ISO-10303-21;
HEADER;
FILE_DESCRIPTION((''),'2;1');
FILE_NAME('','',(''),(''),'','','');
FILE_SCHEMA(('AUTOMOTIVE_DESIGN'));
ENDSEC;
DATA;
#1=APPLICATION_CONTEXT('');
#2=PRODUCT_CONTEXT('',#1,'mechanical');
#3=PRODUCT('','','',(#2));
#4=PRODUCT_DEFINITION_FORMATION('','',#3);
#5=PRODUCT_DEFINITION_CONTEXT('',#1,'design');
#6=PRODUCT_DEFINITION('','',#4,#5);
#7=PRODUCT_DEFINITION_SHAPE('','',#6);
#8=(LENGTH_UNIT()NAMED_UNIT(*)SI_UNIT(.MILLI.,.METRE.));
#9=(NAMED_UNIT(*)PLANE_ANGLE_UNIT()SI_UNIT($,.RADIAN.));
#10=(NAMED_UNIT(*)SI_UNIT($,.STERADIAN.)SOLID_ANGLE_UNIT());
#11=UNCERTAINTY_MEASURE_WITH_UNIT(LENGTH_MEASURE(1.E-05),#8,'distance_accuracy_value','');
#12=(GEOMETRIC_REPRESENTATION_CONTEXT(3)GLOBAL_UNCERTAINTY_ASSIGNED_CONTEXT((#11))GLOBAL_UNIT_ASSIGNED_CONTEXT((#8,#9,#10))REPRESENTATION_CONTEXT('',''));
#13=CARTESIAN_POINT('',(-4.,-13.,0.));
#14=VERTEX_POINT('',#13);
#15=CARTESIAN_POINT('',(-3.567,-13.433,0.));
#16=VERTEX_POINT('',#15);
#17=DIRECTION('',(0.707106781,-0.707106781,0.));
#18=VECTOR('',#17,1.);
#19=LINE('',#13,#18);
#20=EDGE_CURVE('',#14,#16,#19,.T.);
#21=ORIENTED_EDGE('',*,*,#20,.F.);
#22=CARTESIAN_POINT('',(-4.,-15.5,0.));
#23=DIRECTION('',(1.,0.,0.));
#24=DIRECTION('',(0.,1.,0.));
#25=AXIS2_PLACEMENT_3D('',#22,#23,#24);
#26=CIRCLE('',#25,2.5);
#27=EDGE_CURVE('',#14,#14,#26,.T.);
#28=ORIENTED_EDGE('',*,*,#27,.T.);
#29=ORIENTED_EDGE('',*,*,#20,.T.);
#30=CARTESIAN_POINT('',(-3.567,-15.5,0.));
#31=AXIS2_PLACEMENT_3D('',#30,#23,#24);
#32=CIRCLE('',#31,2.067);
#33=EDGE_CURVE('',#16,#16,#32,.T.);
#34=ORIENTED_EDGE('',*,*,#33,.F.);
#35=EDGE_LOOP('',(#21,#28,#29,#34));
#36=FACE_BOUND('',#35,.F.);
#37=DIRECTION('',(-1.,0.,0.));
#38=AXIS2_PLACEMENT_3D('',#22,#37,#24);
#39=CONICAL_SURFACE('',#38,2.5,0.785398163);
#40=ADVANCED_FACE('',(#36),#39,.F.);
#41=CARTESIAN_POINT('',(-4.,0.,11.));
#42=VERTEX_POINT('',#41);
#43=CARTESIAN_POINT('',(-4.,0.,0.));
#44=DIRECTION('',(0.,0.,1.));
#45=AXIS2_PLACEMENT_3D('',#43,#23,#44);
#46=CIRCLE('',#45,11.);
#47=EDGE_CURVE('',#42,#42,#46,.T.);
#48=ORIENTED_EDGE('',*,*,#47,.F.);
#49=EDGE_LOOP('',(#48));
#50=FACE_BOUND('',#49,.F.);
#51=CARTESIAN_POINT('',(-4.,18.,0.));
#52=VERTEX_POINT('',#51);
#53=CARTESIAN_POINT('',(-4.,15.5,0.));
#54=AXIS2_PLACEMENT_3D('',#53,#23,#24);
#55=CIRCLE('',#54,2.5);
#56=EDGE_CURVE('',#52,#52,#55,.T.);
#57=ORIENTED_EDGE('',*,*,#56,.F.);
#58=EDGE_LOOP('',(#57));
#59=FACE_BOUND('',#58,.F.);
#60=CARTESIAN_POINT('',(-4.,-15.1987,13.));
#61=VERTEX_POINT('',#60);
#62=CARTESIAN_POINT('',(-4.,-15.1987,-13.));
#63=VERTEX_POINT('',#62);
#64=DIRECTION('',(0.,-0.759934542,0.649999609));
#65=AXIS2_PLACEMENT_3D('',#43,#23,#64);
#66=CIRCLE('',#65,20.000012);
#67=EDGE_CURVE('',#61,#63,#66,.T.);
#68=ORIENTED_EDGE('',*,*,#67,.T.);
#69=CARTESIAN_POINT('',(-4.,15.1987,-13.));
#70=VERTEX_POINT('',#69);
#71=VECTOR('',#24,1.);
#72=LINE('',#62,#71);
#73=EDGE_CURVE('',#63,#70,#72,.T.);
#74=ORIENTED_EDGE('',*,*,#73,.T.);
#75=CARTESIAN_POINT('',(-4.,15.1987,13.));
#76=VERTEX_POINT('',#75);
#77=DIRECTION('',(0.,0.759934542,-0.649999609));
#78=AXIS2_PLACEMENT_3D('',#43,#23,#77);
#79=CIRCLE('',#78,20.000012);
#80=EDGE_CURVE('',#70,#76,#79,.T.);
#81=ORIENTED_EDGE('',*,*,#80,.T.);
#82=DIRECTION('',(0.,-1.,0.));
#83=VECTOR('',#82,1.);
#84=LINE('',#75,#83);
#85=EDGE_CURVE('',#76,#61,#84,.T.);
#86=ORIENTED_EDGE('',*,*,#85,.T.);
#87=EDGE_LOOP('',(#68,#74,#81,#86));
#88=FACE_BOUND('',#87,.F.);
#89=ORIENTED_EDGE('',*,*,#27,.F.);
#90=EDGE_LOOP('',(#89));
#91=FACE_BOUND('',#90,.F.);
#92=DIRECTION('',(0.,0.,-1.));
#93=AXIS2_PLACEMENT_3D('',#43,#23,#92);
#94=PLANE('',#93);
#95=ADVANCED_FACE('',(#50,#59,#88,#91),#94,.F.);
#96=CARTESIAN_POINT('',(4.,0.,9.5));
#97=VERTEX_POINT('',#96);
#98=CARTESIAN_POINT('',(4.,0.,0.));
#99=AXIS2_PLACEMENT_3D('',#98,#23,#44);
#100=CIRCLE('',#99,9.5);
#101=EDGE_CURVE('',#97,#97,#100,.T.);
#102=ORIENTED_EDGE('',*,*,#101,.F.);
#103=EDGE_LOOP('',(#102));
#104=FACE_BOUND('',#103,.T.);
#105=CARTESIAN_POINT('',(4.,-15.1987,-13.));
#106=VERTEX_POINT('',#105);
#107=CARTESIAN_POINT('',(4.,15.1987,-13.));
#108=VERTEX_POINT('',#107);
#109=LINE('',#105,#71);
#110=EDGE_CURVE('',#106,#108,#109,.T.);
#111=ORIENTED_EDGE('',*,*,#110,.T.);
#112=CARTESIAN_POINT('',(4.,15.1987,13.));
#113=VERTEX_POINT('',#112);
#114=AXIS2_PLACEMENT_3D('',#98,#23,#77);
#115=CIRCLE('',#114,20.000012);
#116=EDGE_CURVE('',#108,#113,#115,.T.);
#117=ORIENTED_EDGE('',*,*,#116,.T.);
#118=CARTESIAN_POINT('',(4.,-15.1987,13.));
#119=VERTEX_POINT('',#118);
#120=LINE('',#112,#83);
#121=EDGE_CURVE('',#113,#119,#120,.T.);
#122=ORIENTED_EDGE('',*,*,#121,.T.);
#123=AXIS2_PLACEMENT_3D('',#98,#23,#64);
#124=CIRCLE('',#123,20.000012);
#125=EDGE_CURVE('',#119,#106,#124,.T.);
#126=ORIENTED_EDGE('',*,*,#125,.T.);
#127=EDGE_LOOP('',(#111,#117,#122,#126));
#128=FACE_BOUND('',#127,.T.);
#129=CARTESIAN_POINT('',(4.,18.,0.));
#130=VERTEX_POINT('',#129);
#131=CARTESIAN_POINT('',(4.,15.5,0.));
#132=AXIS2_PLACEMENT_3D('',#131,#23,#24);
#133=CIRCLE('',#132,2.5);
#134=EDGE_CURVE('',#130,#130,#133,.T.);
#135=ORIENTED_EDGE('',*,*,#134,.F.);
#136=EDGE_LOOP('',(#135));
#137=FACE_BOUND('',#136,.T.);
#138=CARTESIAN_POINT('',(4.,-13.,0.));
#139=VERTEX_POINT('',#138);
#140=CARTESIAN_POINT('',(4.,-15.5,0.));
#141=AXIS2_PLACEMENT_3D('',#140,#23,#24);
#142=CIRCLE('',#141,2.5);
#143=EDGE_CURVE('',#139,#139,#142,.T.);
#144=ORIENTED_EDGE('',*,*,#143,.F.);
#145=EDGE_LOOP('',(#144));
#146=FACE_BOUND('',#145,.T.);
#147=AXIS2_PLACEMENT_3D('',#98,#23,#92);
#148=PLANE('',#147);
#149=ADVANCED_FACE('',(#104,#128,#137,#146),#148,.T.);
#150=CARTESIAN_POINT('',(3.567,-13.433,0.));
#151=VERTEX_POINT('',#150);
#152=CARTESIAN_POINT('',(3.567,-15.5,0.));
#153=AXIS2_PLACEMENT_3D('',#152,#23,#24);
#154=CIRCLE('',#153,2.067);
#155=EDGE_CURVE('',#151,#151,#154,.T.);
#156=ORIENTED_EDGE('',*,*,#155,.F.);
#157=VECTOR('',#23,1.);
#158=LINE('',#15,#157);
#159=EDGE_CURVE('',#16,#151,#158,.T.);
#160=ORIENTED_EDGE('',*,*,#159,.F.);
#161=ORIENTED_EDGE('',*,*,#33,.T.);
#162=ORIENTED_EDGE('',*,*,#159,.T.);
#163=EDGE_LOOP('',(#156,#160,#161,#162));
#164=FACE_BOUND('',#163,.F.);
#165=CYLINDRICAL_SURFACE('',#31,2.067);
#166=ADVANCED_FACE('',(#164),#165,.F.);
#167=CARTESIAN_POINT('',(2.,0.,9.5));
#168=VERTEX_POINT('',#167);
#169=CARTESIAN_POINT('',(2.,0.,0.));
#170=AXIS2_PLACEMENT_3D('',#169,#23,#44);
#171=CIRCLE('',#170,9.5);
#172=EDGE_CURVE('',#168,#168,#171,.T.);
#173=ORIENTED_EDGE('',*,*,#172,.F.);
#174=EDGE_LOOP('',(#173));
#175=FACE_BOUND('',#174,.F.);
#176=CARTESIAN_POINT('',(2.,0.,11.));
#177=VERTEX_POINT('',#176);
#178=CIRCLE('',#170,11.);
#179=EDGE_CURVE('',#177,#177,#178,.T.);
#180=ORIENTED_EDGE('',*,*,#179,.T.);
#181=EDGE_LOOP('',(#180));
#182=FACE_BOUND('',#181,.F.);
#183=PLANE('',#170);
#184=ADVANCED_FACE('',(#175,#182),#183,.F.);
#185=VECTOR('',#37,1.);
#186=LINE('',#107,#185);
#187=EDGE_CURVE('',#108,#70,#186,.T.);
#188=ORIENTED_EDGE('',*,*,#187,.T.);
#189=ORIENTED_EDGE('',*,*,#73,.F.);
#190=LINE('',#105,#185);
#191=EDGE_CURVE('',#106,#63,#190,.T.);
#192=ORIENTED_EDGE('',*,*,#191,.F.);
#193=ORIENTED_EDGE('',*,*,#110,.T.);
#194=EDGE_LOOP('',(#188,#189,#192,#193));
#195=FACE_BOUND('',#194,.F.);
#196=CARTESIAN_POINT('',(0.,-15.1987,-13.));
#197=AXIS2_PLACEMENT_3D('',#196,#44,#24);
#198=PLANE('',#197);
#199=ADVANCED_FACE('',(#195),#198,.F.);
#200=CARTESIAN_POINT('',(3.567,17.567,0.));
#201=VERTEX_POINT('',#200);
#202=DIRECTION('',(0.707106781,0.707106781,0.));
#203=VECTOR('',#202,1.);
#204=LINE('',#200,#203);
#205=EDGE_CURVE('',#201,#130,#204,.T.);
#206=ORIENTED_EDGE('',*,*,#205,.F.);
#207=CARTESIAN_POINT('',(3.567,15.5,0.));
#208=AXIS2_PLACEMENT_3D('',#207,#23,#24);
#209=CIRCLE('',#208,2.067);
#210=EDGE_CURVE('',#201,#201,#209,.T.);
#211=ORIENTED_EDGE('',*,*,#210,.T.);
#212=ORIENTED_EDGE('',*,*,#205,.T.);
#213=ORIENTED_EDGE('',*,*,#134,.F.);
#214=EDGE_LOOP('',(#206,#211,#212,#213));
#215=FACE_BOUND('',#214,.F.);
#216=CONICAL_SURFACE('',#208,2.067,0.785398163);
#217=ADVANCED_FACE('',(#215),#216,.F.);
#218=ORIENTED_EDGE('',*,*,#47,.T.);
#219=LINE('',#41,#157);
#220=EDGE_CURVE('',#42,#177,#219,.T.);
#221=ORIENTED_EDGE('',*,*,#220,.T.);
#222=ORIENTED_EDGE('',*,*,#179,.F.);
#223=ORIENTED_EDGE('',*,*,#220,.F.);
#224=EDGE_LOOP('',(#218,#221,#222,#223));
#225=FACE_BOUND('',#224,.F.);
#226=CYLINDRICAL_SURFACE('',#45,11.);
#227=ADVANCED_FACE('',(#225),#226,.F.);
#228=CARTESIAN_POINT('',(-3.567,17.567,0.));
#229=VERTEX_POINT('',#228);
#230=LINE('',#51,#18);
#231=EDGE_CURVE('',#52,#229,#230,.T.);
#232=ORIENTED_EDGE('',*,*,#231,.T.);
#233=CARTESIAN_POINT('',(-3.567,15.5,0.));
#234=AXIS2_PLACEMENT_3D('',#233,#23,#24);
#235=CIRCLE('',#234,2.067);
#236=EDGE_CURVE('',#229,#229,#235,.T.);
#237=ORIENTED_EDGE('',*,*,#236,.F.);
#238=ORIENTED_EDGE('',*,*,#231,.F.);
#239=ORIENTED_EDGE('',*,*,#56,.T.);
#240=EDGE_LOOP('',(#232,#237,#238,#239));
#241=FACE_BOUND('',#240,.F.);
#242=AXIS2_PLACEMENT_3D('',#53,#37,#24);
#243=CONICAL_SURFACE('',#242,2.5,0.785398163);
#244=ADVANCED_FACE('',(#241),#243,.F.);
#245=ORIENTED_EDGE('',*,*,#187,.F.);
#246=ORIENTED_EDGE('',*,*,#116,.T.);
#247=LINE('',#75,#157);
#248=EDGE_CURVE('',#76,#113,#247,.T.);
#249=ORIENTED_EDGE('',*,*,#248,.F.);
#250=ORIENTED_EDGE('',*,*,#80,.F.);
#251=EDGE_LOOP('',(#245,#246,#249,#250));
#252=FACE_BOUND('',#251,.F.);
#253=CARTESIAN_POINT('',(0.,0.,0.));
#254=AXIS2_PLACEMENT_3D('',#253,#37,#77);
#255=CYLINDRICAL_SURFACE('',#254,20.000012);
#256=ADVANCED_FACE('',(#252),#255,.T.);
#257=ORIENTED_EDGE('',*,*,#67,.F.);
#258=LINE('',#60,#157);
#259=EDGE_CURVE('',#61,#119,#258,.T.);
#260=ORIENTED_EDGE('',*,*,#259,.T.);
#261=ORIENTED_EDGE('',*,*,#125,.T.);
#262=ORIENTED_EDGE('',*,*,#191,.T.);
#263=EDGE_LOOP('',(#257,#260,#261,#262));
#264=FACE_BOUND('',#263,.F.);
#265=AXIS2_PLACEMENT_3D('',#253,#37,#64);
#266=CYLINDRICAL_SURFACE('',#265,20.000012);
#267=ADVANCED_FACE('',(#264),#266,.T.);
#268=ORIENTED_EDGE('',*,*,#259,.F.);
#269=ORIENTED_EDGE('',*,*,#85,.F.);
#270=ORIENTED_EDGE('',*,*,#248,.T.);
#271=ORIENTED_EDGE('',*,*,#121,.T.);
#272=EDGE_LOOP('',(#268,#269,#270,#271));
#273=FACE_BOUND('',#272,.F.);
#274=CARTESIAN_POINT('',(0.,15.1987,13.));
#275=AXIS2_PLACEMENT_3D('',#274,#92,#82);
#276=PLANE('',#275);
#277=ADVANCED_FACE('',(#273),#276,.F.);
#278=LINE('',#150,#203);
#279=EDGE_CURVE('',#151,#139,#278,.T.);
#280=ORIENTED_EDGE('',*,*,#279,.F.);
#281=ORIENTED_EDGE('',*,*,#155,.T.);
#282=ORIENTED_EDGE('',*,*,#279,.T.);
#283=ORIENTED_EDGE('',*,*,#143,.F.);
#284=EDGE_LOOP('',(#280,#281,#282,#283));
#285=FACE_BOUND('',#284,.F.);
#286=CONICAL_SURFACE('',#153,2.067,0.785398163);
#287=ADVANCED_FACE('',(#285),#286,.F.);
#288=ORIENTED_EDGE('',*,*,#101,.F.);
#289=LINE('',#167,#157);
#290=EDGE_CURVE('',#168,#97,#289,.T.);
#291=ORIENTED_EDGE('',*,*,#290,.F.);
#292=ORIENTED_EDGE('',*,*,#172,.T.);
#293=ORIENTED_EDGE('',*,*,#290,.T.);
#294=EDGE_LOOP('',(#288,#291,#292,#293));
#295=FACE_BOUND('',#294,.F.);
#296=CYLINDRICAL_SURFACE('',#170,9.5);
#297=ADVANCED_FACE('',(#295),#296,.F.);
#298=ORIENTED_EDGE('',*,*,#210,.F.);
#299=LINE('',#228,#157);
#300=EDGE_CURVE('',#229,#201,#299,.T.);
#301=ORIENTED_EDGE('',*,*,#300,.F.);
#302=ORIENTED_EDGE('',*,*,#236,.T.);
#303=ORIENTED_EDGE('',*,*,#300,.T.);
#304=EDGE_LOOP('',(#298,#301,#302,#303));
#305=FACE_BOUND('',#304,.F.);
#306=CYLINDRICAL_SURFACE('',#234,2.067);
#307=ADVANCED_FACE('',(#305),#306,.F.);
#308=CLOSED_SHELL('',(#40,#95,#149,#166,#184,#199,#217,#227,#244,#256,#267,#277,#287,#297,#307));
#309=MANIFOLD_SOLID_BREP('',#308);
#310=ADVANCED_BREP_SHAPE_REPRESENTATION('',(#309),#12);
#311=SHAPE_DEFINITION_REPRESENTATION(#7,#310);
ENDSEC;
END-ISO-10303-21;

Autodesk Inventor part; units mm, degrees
sketch "Sketch_1" plane through (0, 0, 0) normal (1, 0, 0) x (0, 0, -1)
  line L0 (-13, 15.1987) -> (-13, -15.1987)
  arc A0 (-13, -15.1987) -> (13, -15.1987) centre (0, 0) ccw
  line L1 (13, -15.1987) -> (13, 15.1987)
  arc A1 (13, 15.1987) -> (-13, 15.1987) centre (0, 0) ccw
extrude "Extrusion1" add sketch "Sketch_1" along normal mid plane 8
sketch "Sketch2" plane through (-4, 0, 0) normal (-1, 0, 0) x (0, 0, 1)
  point P0 (0, 0)
hole "Hole1" at (-4, 0, 0) direction (1, 0, 0) diameter 19 depth 8 counterbore diameter 22 counterbore depth 6
sketch "Sketch_11" plane through (0, 0, 0) normal (0, 0, 1) x (1, 0, 0)
  line L0 (4, -15.5) -> (-4, -15.5)
  line L1 (-4, -15.5) -> (-4, -13)
  line L2 (-4, -13) -> (-3.567, -13.433)
  line L3 (-3.567, -13.433) -> (3.567, -13.433)
  line L4 (3.567, -13.433) -> (4, -13)
  line L5 (4, -13) -> (4, -15.5)
  line L6 (4, -15.5) -> (-4, -15.5)
revolve "Revolution1" cut sketch "Sketch_11" angle 360 about axis through (4, -15.5, 0) along (1, 0, 0)
thread "Thread1" size "M5x0.8" class "6H" standard "ISO Metric profile" full length
sketch "Sketch_9" plane through (0, 0, 0) normal (0, 0, 1) x (1, 0, 0)
  line L0 (4, 15.5) -> (-4, 15.5)
  line L1 (-4, 15.5) -> (-4, 18)
  line L2 (-4, 18) -> (-3.567, 17.567)
  line L3 (-3.567, 17.567) -> (3.567, 17.567)
  line L4 (3.567, 17.567) -> (4, 18)
  line L5 (4, 18) -> (4, 15.5)
  line L6 (4, 15.5) -> (-4, 15.5)
revolve "Revolution2" cut sketch "Sketch_9" angle 360 about axis through (4, 15.5, 0) along (1, 0, 0)
thread "Thread2" size "M5x0.8" class "6H" standard "ISO Metric profile" full length
ref_plane "housing_to_dummy_XY" through (0, 0, 0) normal (0, 0, 1) x (1, 0, 0)
ref_plane "housing_to_dummy_YZ" through (0, 0, 0) normal (1, 0, 0) x (0, 1, 0)
ref_plane "housing_to_dummy_ZX" through (0, 0, 0) normal (0, 1, 0) x (0, 0, 1)
ref_plane "to_bearings_XY" through (-4, 0, 0) normal (-1, 0, 0) x (0, 0, -1)
ref_plane "to_bearings_YZ" through (-4, 0, 0) normal (0, 0, -1) x (0, -1, 0)
ref_plane "to_bearings_ZX" through (-4, 0, 0) normal (0, -1, 0) x (-1, 0, 0)
properties part number "SBGTN6900VV_h"
